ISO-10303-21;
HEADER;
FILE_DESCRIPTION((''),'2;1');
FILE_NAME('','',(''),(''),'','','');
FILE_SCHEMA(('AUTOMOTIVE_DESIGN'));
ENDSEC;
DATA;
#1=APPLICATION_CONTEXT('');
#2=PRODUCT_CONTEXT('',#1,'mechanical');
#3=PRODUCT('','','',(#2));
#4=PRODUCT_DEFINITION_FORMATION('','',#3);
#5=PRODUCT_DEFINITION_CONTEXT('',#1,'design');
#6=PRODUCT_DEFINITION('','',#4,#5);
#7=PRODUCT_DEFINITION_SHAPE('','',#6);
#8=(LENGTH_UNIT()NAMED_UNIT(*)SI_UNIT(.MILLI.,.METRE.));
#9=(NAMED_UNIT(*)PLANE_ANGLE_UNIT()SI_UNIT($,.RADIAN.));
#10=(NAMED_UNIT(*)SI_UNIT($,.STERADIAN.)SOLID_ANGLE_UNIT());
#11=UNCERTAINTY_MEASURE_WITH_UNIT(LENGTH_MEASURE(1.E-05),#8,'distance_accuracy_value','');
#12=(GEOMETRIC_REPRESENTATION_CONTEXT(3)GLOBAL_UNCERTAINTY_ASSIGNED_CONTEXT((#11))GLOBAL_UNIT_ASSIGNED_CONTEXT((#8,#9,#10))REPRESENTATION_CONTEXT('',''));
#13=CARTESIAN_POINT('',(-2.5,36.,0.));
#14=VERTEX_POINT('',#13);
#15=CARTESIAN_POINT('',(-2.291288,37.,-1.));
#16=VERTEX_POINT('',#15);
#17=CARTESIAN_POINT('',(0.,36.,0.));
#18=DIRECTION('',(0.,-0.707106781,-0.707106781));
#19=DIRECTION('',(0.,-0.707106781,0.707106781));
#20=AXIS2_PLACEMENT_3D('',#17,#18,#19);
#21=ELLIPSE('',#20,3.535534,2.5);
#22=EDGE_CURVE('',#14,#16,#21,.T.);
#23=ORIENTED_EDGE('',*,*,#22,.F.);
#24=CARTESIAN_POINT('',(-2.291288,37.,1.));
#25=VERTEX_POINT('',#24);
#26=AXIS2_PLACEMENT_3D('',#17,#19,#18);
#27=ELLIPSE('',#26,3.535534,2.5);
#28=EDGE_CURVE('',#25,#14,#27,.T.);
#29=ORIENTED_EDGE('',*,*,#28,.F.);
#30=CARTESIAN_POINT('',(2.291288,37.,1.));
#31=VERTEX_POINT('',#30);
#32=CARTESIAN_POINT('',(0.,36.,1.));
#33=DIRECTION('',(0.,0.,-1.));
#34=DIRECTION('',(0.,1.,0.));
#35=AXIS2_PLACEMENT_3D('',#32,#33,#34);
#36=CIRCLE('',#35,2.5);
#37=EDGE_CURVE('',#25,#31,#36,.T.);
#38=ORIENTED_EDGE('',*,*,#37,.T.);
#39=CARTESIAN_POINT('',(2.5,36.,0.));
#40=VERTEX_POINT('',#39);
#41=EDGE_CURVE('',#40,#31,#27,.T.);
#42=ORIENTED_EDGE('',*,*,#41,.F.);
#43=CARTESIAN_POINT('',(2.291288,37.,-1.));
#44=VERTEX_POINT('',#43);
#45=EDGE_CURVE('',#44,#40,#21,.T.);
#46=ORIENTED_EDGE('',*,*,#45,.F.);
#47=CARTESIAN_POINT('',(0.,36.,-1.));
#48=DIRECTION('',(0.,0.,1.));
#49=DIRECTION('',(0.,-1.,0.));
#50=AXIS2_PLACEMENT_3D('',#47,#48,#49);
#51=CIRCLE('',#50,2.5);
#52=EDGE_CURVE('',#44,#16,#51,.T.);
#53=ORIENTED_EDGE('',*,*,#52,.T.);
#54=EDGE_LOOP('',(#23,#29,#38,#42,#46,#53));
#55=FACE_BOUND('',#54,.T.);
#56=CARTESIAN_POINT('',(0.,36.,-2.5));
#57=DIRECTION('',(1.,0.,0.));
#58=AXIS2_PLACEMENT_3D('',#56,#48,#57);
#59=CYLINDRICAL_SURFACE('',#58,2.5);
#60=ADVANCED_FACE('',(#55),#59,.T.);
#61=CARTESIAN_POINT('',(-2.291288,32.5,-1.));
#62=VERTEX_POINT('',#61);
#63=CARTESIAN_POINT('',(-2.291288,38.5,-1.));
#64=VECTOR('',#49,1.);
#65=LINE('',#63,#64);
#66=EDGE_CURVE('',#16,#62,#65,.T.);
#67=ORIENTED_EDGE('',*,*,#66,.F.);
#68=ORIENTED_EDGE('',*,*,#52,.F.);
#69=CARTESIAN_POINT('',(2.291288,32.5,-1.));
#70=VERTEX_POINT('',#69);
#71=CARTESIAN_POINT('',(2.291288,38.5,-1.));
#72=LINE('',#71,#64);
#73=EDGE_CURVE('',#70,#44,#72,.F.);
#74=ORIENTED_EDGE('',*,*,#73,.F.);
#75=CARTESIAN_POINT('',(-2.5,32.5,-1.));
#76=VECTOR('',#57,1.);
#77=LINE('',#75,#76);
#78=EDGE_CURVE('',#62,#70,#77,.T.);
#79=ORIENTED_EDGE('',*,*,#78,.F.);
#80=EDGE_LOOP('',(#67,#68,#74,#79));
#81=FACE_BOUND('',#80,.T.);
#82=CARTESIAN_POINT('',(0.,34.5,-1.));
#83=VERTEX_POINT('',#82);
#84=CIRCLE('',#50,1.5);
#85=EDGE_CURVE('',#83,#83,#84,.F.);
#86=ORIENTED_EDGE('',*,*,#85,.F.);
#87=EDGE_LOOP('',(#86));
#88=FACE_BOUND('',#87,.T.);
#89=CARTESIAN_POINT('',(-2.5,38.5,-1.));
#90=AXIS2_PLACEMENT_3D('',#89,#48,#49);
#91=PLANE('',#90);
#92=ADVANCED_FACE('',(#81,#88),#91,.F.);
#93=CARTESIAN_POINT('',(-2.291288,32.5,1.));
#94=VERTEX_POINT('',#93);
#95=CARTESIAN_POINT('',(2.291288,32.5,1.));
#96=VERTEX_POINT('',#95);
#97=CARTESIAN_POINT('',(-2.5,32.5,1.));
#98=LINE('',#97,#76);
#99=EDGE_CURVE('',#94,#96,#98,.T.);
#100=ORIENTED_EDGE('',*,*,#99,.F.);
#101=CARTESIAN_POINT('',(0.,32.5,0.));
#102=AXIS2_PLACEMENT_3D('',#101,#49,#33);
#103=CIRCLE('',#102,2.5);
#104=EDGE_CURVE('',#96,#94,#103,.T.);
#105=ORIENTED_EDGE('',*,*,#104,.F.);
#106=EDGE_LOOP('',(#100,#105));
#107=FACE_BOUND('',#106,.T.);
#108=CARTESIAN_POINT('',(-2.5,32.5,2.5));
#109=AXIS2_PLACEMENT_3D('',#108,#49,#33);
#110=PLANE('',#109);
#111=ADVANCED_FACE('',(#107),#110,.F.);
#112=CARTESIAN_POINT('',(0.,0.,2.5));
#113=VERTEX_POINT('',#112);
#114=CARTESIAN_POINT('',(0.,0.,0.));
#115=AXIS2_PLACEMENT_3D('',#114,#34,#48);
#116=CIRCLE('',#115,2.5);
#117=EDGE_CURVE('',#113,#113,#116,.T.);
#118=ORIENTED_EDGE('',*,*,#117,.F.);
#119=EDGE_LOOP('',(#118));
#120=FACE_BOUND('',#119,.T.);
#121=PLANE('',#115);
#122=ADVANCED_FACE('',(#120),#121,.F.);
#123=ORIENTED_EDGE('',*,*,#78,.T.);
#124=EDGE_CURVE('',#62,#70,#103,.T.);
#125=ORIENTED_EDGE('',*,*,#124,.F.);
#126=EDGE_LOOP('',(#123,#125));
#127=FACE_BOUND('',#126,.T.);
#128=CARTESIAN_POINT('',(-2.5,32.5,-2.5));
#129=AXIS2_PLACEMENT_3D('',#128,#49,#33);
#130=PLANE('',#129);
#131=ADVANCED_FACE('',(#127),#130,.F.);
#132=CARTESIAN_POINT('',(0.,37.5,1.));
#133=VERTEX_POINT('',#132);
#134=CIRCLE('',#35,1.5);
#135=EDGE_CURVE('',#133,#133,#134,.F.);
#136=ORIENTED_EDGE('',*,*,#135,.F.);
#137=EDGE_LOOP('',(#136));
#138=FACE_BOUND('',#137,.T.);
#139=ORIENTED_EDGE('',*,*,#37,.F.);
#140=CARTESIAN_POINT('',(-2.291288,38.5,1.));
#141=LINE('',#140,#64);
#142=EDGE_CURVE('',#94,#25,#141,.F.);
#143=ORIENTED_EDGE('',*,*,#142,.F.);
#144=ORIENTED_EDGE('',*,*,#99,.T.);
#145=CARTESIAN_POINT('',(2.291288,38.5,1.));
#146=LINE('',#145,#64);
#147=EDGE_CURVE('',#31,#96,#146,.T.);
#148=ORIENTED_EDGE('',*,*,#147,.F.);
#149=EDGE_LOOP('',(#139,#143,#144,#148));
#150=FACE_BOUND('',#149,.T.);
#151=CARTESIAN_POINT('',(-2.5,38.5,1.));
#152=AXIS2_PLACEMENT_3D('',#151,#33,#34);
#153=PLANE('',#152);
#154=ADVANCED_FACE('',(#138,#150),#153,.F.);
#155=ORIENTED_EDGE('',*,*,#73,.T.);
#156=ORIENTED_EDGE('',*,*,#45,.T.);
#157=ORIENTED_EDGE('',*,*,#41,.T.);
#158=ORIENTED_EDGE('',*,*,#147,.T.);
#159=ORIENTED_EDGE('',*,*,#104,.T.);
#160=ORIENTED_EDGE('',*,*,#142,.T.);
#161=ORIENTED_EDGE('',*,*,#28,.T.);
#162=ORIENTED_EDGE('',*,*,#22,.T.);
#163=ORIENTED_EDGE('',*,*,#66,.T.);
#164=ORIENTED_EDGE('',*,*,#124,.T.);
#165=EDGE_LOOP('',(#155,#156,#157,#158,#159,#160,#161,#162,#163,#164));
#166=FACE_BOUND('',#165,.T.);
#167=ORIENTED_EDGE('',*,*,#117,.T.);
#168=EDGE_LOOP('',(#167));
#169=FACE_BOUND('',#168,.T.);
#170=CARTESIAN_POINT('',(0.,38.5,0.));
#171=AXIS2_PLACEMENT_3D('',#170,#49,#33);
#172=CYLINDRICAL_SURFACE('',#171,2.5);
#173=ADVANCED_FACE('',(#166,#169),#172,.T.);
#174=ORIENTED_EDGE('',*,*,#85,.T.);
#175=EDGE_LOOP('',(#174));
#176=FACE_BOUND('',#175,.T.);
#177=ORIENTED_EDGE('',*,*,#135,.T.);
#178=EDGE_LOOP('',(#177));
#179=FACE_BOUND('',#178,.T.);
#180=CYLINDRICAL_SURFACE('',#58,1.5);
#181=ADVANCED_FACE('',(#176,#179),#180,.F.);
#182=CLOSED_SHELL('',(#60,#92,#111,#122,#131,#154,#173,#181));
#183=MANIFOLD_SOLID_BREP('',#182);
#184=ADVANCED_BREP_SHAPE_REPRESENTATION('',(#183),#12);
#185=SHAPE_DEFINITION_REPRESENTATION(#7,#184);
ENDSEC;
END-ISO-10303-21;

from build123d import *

# Parameters (mm, degrees)
SKETCH_1_R               = 2.5
EXTRUDE_1_DEPTH          = 38.5
CUT_EXTRUDE_1_DEPTH      = 39.661996844
CUT_EXTRUDE_1_DEPTH_BACK = 39.661996844
CUT_EXTRUDE_2_DEPTH      = 39.661996957
CUT_EXTRUDE_2_DEPTH_BACK = 39.661996957
SKETCH_3_W               = 1.5
SKETCH_3_H               = 6


with BuildPart() as part:
    # 草图1 → 凸台-拉伸1 (new body)
    with BuildSketch(Plane(origin=(0, 0, 0), x_dir=(1, 0, 0), z_dir=(0, 1, 0))):
        with Locations(Location((0, 0, 0), (0, 0, 270))):
            Circle(SKETCH_1_R)
    extrude(amount=EXTRUDE_1_DEPTH)

    # 草图2 → 切除-拉伸1 (cut, two sides: drawn at the far end of the back side and taken through both)
    with BuildSketch(Plane.XY.offset(-CUT_EXTRUDE_1_DEPTH_BACK)):
        with BuildLine():
            ThreePointArc((-2.5, 36), (-1.767766953, 37.767766953), (0, 38.5))
            Line((0, 38.5), (-2.5, 38.5))
            Line((-2.5, 38.5), (-2.5, 36))
        make_face()
        with BuildLine():
            Line((2.5, 38.5), (0, 38.5))
            ThreePointArc((0, 38.5), (1.767766953, 37.767766953), (2.5, 36))
            Line((2.5, 36), (2.5, 38.5))
        make_face()
        with BuildLine():
            ThreePointArc((1.5, 36), (1.060660172, 37.060660172), (0, 37.5))
            Line((0, 37.5), (0, 34.5))
            ThreePointArc((0, 34.5), (1.060660172, 34.939339828), (1.5, 36))
        make_face()
        with BuildLine():
            Line((0, 34.5), (0, 37.5))
            ThreePointArc((0, 37.5), (-1.5, 36), (0, 34.5))
        make_face()
    extrude(amount=CUT_EXTRUDE_1_DEPTH + CUT_EXTRUDE_1_DEPTH_BACK, mode=Mode.SUBTRACT)

    # 草图3 → 切除-拉伸2 (cut, two sides: drawn at the far end of the back side and taken through both)
    with BuildSketch(Plane(origin=(0, 0, 0), x_dir=(0, 0, -1), z_dir=(1, 0, 0)).offset(-CUT_EXTRUDE_2_DEPTH_BACK)):
        with Locations((-1.75, 35.5)):
            Rectangle(SKETCH_3_W, SKETCH_3_H)
        with Locations((1.75, 35.5)):
            Rectangle(SKETCH_3_W, SKETCH_3_H)
    extrude(amount=CUT_EXTRUDE_2_DEPTH + CUT_EXTRUDE_2_DEPTH_BACK, mode=Mode.SUBTRACT)


solid = part.part
